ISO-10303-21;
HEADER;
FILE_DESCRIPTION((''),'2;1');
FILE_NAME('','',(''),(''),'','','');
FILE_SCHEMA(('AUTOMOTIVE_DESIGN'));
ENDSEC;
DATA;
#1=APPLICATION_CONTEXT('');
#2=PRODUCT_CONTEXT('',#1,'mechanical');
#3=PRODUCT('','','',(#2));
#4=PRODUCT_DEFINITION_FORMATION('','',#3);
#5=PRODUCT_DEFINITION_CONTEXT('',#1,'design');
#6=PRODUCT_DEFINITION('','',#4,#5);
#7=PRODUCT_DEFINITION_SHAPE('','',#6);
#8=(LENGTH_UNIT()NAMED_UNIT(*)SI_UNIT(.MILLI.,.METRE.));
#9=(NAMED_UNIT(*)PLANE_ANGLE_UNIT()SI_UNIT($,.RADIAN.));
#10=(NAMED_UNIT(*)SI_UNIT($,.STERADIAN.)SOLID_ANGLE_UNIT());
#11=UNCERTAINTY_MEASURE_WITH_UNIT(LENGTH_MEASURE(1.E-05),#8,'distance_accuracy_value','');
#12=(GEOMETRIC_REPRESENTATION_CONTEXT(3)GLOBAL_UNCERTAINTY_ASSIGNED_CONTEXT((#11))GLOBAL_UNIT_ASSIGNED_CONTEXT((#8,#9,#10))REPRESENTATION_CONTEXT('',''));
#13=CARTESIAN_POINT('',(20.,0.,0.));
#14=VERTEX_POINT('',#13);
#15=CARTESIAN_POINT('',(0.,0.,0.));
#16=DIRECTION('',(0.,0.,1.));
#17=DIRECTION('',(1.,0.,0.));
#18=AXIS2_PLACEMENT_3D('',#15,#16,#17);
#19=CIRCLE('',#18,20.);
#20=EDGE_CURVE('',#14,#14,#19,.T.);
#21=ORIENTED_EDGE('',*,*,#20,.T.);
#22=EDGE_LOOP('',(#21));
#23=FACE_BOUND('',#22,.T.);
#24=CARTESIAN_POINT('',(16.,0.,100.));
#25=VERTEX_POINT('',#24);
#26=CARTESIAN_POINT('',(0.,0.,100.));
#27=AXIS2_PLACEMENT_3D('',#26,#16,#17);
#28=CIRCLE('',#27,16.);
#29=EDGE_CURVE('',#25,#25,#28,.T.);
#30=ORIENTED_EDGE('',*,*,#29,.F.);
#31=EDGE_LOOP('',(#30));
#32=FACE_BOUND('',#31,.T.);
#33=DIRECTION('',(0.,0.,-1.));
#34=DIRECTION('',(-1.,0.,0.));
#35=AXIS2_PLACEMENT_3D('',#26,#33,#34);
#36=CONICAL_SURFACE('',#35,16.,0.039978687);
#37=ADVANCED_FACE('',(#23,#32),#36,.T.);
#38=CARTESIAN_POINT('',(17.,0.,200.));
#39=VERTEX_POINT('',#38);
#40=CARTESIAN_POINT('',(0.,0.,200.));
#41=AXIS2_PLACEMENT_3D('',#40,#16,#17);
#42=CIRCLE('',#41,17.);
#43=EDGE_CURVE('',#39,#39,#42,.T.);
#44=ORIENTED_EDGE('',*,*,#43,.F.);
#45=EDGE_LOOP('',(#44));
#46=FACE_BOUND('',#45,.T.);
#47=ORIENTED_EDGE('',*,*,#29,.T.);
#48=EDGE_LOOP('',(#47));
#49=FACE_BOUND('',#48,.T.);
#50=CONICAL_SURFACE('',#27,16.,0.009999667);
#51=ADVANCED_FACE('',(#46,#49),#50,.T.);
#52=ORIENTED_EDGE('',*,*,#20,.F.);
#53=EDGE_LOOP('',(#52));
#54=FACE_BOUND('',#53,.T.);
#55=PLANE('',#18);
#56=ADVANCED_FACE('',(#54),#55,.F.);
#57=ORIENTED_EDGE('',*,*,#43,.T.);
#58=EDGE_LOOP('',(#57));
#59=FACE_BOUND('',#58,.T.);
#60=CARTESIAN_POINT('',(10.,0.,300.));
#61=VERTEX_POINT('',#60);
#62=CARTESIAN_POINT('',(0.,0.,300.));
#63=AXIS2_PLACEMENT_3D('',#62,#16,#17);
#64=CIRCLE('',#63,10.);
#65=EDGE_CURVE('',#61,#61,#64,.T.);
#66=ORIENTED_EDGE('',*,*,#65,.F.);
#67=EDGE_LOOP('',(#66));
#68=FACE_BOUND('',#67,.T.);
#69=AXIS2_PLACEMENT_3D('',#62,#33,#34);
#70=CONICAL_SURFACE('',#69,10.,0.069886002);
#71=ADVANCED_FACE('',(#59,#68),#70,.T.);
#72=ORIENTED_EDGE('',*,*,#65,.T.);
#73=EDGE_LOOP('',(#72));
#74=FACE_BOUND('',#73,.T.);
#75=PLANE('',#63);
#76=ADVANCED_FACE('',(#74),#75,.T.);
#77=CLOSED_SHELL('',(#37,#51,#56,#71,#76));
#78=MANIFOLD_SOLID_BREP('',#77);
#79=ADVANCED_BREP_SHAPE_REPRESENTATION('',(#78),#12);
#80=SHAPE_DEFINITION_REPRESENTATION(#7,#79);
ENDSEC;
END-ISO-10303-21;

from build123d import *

# Parameters (mm, degrees)
SKETCH1_R = 20
SKETCH2_R = 16
SKETCH3_R = 17
SKETCH4_R = 10


with BuildPart() as part:
    # Sketch1 → Loft1 section 0
    with BuildSketch(Plane.XY):
        Circle(SKETCH1_R)
    # Sketch2 → Loft1 section 1
    with BuildSketch(Plane.XY.offset(100)):
        Circle(SKETCH2_R)
    loft()

    # Sketch3 → section 1 of loft4
    with BuildSketch(Plane.XY.offset(200), mode=Mode.PRIVATE) as loft4_s1:
        Circle(SKETCH3_R)
    # loft up to a face of the part (loft4)
    loft([Face(Wire([part.edges().sort_by_distance((-10.952753695, 11.663498039, 100))[0]])), loft4_s1.sketch])

    # Sketch4 → section 1 of loft5
    with BuildSketch(Plane.XY.offset(300), mode=Mode.PRIVATE) as loft5_s1:
        Circle(SKETCH4_R)
    # loft up to a face of the part (loft5)
    loft([Face(Wire([part.edges().sort_by_distance((-11.637300801, 12.392466666, 200))[0]])), loft5_s1.sketch])


solid = part.part
